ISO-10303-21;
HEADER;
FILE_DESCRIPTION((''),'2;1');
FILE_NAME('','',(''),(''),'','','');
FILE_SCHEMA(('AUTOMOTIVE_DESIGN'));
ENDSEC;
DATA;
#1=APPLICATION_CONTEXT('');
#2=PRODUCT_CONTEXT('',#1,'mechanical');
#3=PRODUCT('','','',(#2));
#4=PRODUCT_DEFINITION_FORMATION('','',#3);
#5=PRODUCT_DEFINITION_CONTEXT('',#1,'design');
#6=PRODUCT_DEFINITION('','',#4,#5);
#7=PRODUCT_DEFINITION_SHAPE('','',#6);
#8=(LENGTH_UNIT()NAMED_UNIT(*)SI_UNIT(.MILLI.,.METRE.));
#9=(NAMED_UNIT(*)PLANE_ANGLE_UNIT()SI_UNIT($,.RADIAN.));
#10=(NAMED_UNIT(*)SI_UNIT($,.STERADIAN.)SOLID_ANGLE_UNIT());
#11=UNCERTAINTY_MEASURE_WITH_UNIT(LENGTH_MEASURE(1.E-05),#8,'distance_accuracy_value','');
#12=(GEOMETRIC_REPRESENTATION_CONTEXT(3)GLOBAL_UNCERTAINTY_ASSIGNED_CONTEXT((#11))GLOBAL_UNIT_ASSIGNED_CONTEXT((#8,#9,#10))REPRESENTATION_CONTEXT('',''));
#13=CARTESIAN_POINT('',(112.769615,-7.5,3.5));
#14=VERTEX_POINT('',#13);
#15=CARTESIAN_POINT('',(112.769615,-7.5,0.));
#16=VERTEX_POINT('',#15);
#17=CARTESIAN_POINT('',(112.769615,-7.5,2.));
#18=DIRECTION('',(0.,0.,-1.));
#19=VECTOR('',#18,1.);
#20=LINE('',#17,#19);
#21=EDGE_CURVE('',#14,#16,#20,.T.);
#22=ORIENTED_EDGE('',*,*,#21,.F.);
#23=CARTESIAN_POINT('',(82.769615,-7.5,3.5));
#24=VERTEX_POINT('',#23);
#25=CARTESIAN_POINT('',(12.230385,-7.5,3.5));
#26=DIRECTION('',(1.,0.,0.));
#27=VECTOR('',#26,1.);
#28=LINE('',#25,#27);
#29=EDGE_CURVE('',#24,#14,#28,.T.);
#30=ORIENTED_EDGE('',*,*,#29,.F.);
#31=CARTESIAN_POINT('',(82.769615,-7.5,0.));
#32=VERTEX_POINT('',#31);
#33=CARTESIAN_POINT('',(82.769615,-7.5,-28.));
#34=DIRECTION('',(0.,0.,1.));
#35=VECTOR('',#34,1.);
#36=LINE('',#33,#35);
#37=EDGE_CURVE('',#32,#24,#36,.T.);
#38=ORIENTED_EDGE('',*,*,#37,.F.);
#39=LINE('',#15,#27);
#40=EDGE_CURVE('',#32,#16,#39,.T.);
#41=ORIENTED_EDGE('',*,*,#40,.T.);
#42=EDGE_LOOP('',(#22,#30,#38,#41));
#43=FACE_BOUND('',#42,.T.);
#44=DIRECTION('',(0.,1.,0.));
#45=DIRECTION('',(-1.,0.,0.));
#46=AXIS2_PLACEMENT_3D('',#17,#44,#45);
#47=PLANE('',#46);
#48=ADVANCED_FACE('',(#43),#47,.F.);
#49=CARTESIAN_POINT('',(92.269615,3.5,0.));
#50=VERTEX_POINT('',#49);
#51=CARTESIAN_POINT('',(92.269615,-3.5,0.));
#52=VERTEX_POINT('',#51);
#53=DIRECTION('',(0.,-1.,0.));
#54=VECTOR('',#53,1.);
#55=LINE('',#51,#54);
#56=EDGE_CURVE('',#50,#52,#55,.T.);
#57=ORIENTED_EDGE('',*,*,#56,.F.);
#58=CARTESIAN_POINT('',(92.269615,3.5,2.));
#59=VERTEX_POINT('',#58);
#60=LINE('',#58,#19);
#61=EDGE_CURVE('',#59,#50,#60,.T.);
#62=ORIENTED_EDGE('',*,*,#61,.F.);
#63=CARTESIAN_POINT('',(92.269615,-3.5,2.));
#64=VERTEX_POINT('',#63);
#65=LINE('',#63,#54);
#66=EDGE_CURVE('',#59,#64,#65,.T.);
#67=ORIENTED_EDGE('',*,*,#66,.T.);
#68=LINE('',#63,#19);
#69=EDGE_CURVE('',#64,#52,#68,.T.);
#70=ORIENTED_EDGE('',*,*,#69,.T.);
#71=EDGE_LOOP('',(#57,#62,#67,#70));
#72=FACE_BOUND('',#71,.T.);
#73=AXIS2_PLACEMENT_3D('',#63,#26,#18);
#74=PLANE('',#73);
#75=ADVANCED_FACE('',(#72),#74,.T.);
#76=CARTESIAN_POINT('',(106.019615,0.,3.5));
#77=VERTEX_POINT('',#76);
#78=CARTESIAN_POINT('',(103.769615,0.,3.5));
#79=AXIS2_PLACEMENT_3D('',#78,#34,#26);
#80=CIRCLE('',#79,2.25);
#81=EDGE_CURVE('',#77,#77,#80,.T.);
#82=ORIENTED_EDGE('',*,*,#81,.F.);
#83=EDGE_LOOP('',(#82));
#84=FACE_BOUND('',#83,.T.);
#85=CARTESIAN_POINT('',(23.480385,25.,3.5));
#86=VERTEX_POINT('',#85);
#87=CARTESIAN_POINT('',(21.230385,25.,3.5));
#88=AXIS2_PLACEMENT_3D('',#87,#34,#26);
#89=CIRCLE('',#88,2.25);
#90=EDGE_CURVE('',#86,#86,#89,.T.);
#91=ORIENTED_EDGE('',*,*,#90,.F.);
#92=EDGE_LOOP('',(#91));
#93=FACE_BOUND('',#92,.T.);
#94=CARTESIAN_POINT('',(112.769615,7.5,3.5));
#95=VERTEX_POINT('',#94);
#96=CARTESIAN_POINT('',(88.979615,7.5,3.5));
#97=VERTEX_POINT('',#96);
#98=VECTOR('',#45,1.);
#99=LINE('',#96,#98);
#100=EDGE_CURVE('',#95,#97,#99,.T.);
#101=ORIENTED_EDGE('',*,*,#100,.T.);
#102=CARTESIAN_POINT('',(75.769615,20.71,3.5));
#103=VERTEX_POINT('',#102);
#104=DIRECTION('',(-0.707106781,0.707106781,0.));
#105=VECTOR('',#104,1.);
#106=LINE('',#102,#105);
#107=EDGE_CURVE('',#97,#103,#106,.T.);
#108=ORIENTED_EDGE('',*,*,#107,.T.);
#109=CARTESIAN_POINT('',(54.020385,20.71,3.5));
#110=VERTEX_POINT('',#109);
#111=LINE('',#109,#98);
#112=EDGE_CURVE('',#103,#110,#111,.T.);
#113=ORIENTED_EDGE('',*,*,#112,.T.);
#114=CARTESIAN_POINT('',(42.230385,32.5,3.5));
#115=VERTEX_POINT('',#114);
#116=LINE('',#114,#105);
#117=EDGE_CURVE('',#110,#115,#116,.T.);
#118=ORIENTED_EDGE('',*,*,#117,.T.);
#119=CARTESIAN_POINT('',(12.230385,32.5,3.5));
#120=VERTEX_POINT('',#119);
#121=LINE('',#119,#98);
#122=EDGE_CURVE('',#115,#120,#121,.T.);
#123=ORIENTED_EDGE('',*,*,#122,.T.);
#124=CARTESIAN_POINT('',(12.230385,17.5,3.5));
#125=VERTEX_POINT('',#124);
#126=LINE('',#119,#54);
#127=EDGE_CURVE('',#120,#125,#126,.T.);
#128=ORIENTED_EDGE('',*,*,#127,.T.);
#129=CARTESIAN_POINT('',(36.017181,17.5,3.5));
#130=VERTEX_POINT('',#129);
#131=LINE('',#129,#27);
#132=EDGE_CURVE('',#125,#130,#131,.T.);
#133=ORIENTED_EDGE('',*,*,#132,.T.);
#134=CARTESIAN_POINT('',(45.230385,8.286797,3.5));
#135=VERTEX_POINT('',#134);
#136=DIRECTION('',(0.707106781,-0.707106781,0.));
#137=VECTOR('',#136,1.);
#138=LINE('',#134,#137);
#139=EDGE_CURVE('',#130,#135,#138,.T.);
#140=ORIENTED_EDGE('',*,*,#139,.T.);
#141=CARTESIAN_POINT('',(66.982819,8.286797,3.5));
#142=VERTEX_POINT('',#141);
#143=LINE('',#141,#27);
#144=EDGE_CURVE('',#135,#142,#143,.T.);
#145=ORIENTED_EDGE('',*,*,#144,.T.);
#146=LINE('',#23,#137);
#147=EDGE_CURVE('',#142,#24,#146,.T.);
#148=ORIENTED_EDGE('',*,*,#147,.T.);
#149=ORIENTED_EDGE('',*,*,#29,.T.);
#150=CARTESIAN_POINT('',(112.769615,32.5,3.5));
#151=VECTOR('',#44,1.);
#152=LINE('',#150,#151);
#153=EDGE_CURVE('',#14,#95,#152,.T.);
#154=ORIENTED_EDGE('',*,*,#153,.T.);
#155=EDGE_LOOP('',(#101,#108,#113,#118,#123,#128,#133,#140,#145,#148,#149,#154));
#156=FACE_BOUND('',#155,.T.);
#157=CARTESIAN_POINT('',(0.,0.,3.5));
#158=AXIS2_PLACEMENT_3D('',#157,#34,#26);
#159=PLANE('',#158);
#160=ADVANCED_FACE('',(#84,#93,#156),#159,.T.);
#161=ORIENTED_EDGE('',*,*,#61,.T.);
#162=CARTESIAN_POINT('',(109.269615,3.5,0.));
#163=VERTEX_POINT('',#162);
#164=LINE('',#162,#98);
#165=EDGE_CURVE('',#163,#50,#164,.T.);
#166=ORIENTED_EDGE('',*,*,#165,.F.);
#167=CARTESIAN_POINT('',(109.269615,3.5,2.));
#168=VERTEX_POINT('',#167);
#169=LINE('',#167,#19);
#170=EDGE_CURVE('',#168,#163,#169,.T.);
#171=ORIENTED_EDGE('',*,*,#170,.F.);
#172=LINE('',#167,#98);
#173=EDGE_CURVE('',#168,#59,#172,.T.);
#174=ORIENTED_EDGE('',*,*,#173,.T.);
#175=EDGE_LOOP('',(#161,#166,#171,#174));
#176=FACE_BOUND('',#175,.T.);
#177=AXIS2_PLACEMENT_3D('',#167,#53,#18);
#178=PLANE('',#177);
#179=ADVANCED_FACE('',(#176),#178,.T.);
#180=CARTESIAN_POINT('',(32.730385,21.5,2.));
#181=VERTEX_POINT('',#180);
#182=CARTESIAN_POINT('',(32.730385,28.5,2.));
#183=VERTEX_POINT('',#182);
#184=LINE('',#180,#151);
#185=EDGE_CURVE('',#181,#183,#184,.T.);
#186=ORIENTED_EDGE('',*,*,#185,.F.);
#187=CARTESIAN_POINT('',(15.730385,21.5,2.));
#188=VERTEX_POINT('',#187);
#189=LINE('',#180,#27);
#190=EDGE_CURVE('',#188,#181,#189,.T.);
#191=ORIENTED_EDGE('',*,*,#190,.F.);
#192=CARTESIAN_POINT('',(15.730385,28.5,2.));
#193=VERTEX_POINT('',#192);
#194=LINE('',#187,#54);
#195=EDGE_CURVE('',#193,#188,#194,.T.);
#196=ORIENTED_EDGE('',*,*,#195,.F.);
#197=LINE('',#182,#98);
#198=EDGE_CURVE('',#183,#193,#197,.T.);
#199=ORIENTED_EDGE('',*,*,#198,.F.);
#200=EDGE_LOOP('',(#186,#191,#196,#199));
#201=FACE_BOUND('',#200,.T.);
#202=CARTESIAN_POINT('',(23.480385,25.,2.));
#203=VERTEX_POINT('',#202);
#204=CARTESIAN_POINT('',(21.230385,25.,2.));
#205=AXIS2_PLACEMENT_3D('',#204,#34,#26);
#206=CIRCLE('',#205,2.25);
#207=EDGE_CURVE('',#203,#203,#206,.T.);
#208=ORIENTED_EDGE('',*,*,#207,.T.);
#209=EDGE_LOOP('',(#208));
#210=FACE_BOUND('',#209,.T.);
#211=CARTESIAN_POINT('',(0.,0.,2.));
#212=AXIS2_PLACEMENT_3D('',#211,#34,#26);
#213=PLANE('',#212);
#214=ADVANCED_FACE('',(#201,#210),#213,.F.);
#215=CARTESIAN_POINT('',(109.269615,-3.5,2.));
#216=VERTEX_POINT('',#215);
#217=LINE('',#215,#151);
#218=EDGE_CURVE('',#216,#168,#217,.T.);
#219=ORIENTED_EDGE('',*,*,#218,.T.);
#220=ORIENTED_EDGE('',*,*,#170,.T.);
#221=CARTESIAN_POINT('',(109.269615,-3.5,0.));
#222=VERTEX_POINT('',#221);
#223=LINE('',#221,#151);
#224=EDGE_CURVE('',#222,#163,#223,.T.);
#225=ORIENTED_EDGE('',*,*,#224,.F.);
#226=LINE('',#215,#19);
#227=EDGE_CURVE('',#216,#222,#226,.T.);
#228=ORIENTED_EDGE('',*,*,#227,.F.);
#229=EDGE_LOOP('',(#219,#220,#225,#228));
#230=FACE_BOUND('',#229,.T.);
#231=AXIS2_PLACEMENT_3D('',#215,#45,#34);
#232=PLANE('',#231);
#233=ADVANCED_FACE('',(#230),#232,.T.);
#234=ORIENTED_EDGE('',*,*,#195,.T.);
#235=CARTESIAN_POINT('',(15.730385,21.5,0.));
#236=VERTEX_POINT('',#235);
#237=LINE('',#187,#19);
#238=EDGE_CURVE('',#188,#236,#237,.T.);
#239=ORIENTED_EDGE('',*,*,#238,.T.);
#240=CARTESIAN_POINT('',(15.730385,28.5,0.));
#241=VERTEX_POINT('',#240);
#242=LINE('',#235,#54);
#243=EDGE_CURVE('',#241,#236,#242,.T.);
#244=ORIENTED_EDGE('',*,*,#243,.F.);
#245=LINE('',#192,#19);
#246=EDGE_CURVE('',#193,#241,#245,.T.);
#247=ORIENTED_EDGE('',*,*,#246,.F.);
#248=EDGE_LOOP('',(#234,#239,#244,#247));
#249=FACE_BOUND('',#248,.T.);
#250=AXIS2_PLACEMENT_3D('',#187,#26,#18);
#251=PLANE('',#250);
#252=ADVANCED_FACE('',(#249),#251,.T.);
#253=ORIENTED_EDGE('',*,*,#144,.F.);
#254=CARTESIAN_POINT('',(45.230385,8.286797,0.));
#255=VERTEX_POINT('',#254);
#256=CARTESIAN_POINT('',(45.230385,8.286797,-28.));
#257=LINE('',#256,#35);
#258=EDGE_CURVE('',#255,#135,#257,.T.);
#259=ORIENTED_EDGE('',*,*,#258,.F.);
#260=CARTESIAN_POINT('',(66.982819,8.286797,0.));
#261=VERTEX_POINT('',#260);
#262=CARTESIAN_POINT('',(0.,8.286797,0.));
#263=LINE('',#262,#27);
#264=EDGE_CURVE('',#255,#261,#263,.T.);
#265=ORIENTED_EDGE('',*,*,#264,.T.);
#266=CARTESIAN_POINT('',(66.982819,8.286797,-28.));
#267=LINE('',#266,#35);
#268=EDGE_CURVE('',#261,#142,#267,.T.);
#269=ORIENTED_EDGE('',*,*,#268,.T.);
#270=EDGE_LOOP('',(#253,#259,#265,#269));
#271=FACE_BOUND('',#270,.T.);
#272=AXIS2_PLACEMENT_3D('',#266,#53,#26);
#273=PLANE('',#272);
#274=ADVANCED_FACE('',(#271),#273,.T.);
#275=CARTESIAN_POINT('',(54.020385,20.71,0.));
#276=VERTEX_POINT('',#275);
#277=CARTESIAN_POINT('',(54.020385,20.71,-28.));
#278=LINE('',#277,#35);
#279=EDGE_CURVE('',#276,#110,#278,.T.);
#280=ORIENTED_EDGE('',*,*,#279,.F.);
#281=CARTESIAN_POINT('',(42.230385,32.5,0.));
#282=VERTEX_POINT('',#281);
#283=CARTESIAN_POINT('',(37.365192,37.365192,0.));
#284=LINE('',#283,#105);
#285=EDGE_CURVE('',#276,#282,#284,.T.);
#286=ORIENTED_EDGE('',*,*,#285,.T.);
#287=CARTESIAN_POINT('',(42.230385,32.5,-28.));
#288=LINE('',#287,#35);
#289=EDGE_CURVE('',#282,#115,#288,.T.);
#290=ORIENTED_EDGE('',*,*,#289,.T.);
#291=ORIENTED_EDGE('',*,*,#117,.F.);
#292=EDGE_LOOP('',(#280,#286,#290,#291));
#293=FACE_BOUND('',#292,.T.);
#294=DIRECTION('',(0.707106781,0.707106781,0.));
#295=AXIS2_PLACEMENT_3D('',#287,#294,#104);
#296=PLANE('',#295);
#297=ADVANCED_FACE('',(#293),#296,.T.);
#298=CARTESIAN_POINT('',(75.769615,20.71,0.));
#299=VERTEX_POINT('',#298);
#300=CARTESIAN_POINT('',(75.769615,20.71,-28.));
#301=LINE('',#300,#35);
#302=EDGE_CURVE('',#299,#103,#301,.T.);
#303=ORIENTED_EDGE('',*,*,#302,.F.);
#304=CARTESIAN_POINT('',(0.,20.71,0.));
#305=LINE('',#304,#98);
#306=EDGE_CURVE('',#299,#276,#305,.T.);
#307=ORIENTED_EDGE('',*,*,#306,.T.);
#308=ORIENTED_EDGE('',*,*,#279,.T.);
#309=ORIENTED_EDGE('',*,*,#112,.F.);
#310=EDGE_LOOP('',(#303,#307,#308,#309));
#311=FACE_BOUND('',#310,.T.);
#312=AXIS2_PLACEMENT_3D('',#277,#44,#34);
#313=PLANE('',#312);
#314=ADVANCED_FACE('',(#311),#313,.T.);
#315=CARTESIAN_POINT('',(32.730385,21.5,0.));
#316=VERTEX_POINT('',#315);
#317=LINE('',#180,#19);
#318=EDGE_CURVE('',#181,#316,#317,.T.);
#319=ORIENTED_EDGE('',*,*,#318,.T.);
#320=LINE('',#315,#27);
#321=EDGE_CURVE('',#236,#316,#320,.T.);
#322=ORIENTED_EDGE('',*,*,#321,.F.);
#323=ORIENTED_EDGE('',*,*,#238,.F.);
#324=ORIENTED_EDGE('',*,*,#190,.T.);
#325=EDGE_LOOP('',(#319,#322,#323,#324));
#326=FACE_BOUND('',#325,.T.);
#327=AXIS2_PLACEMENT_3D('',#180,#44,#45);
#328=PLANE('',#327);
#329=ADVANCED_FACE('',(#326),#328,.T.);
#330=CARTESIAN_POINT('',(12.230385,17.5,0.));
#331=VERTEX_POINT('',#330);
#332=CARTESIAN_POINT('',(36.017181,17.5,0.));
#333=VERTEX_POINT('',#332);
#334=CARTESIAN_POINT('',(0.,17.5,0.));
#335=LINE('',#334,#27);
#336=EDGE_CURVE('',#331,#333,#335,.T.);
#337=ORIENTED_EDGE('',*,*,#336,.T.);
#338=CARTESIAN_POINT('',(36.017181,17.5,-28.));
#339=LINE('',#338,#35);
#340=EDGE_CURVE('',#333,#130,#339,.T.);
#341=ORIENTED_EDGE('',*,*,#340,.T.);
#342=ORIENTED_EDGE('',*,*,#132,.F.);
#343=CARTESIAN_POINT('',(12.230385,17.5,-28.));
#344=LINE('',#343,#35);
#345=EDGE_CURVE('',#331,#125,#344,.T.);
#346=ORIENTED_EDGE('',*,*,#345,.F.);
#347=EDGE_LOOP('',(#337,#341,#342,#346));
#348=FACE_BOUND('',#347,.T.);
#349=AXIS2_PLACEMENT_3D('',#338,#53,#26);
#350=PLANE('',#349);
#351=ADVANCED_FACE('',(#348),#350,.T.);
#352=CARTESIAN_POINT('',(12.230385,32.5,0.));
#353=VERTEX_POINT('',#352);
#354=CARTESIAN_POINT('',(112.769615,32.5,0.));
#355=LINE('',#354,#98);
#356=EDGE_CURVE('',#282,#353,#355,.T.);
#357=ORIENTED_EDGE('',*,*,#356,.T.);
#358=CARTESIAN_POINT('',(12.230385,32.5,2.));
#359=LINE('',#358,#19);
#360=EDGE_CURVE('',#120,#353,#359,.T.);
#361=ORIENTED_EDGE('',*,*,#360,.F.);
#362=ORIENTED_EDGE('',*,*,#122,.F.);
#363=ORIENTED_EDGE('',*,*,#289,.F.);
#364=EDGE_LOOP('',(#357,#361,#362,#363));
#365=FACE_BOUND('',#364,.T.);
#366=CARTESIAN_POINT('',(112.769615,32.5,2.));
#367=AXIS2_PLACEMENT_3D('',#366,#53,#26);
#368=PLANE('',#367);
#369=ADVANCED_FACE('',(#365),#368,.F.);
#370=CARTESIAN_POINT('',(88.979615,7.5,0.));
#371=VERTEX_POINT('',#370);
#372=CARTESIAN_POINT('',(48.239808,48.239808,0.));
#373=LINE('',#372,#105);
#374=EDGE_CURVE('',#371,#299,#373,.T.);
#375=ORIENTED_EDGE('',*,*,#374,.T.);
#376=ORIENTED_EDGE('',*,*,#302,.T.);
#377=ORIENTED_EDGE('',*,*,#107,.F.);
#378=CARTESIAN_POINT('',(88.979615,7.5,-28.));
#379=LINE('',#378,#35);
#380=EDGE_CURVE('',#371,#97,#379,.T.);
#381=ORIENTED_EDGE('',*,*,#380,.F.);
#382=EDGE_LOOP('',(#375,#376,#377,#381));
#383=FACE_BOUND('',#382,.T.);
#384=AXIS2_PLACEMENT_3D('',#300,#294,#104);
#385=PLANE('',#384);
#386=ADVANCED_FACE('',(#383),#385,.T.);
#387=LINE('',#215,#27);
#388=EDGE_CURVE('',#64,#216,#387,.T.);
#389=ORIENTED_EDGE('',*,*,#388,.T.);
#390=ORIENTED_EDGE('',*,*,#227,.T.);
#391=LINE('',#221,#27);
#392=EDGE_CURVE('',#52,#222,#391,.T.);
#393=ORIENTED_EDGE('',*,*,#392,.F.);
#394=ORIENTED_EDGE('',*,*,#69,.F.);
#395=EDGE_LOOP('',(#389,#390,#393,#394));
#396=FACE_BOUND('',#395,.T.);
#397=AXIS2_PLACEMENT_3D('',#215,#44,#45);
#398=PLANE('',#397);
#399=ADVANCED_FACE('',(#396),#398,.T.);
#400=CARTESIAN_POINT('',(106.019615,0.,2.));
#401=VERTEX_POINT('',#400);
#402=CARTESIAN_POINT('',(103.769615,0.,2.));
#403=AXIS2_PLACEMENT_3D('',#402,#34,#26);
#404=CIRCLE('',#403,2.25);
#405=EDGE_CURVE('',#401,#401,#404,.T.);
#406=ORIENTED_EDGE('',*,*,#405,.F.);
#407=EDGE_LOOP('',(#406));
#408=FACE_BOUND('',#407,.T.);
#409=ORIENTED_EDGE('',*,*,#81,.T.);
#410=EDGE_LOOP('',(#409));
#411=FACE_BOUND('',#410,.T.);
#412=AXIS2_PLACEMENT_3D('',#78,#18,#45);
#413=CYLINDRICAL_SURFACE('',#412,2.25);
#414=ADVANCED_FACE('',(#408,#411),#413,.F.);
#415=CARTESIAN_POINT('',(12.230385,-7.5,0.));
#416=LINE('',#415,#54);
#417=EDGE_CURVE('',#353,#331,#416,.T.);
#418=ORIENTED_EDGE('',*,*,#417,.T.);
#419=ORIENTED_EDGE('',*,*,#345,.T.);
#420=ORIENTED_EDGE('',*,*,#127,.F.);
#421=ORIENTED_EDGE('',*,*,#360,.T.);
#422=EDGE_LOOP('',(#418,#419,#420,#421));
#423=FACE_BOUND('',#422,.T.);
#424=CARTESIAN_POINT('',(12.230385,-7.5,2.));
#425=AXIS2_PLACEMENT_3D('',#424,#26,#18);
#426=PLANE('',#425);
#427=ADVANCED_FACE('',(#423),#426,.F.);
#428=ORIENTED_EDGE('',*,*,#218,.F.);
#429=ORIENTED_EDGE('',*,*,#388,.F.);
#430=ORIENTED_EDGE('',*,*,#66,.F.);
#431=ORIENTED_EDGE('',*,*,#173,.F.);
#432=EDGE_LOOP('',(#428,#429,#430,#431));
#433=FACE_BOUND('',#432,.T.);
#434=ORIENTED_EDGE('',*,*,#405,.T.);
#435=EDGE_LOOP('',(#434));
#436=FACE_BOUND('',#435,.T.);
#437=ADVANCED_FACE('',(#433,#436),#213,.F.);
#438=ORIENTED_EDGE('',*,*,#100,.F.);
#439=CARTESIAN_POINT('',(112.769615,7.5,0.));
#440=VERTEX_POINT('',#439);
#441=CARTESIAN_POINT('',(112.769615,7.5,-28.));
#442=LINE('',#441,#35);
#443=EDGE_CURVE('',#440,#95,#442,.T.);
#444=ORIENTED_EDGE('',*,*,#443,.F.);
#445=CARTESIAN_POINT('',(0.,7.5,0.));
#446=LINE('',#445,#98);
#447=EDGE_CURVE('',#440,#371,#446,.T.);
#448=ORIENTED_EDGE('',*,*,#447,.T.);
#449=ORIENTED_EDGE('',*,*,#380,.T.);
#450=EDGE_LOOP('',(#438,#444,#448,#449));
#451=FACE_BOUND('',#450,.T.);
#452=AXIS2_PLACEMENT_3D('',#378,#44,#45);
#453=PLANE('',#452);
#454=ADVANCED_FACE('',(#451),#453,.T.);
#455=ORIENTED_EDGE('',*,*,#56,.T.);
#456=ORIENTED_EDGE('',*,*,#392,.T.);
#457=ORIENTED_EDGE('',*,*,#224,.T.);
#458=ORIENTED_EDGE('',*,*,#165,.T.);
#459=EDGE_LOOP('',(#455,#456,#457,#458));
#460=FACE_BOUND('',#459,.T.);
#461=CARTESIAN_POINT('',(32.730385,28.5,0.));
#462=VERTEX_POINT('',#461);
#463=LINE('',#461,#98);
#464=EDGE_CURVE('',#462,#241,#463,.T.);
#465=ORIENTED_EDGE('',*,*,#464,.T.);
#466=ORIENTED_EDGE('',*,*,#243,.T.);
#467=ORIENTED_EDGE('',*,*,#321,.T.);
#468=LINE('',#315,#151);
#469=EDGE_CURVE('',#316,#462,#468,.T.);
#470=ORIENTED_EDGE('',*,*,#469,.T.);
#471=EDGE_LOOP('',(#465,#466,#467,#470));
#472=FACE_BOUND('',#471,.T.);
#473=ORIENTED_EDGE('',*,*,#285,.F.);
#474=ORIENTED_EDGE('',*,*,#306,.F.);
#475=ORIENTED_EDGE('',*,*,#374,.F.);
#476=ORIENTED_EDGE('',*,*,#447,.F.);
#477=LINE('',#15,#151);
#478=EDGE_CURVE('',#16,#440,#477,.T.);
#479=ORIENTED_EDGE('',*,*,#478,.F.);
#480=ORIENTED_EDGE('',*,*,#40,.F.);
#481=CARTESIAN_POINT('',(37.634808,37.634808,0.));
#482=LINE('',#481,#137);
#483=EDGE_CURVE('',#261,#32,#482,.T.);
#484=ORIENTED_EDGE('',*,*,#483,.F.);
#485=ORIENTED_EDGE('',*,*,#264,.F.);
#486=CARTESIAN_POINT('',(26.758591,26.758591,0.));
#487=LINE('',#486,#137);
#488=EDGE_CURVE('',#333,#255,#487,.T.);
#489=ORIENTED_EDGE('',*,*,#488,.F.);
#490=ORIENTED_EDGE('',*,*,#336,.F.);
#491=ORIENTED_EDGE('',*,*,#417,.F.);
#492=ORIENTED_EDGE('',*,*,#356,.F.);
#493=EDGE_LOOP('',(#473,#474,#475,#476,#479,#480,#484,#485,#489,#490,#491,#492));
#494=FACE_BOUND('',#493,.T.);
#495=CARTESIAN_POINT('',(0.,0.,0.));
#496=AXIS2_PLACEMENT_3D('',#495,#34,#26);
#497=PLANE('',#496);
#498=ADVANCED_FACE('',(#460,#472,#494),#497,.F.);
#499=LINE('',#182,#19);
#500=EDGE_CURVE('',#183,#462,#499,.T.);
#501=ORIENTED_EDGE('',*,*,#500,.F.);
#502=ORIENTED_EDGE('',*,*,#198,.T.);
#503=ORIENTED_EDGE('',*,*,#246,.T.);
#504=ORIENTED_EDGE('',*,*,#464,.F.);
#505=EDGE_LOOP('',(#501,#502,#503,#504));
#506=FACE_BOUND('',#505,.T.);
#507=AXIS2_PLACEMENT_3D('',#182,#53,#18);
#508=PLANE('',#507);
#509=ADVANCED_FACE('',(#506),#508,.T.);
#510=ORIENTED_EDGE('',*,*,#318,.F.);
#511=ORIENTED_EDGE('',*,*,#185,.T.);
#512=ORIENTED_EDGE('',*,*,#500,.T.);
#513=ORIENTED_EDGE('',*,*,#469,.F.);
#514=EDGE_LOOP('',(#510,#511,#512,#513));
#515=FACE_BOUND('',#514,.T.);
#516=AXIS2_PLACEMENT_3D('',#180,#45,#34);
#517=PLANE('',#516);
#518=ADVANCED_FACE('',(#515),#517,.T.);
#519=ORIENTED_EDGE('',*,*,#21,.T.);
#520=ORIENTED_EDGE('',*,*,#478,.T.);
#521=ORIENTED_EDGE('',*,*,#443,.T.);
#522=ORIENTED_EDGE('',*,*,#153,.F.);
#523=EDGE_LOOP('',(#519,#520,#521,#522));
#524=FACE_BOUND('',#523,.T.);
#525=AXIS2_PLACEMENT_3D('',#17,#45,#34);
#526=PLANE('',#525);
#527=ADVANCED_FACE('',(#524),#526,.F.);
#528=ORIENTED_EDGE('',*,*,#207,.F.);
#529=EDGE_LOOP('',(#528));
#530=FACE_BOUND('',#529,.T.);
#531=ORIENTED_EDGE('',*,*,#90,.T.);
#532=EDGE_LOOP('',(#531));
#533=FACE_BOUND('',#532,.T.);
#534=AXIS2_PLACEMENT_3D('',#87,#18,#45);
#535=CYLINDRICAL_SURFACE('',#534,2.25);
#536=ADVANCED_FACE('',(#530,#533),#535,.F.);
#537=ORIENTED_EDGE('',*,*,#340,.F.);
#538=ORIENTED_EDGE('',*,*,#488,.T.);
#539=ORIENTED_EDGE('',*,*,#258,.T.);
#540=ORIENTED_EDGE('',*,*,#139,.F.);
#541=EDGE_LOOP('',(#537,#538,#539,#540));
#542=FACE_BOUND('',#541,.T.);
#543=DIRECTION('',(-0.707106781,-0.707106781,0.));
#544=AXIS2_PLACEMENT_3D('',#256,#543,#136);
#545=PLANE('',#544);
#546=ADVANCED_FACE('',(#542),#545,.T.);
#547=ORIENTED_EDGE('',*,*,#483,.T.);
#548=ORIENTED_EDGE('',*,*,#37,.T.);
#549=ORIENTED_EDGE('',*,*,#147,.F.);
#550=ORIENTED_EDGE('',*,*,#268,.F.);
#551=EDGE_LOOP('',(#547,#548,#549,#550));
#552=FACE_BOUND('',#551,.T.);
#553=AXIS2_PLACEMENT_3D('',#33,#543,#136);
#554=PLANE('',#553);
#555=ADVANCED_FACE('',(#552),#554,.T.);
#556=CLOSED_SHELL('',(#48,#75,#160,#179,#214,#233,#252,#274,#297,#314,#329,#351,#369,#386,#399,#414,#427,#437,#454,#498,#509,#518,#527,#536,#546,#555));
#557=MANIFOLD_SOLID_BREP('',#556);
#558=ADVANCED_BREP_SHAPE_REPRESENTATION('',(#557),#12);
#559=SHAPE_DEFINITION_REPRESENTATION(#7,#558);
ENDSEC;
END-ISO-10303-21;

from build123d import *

# Parameters (mm, degrees)
SKETCH_1_W          = 100.539230484
SKETCH_1_H          = 40
SKETCH_1_W_2        = 17
SKETCH_1_H_2        = 7
EXTRUDE_1_DEPTH     = 2
SKETCH_2_W          = 100.539230484
SKETCH_2_H          = 40
SKETCH_2_R          = 2.25
EXTRUDE_2_DEPTH     = 1.5
SKETCH_3_W          = 184.808915215
SKETCH_3_H          = 94.825170589
CUT_EXTRUDE_1_DEPTH = 31.5


with BuildPart() as part:
    # Sketch 1 → Extrude 1 (new body)
    with BuildSketch(Plane.XY):
        with Locations((62.5, 12.5)):
            Rectangle(SKETCH_1_W, SKETCH_1_H)
        with Locations((24.230384758, 25)):
            Rectangle(SKETCH_1_W_2, SKETCH_1_H_2, mode=Mode.SUBTRACT)
        with Locations((100.769615242, 0)):
            Rectangle(SKETCH_1_W_2, SKETCH_1_H_2, mode=Mode.SUBTRACT)
    extrude(amount=EXTRUDE_1_DEPTH)

    # Sketch 2 → Extrude 2 (add)
    with BuildSketch(Plane.XY.offset(2)):
        with Locations((62.5, 12.5)):
            Rectangle(SKETCH_2_W, SKETCH_2_H)
        with Locations((21.230384758, 25)):
            Circle(SKETCH_2_R, mode=Mode.SUBTRACT)
        with Locations((103.769615242, 0)):
            Circle(SKETCH_2_R, mode=Mode.SUBTRACT)
    extrude(amount=EXTRUDE_2_DEPTH)

    # Sketch 3 → Cut-Extrude 1 (cut)
    with BuildSketch(Plane.XY.offset(3.5)):
        with Locations((81.231416835, 7.831688581)):
            Rectangle(SKETCH_3_W, SKETCH_3_H)
        Polygon((12.230384758, 32.5), (42.230384758, 32.5), (54.020384758, 20.71), (75.769615242, 20.71), (88.979615242, 7.5), (112.769615242, 7.5), (112.769615242, -7.5), (82.769615242, -7.5), (66.982818678, 8.286796564), (45.230384758, 8.286796564), (36.017181322, 17.5), (12.230384758, 17.5), align=None, mode=Mode.SUBTRACT)
    extrude(amount=-CUT_EXTRUDE_1_DEPTH, mode=Mode.SUBTRACT)


solid = part.part
